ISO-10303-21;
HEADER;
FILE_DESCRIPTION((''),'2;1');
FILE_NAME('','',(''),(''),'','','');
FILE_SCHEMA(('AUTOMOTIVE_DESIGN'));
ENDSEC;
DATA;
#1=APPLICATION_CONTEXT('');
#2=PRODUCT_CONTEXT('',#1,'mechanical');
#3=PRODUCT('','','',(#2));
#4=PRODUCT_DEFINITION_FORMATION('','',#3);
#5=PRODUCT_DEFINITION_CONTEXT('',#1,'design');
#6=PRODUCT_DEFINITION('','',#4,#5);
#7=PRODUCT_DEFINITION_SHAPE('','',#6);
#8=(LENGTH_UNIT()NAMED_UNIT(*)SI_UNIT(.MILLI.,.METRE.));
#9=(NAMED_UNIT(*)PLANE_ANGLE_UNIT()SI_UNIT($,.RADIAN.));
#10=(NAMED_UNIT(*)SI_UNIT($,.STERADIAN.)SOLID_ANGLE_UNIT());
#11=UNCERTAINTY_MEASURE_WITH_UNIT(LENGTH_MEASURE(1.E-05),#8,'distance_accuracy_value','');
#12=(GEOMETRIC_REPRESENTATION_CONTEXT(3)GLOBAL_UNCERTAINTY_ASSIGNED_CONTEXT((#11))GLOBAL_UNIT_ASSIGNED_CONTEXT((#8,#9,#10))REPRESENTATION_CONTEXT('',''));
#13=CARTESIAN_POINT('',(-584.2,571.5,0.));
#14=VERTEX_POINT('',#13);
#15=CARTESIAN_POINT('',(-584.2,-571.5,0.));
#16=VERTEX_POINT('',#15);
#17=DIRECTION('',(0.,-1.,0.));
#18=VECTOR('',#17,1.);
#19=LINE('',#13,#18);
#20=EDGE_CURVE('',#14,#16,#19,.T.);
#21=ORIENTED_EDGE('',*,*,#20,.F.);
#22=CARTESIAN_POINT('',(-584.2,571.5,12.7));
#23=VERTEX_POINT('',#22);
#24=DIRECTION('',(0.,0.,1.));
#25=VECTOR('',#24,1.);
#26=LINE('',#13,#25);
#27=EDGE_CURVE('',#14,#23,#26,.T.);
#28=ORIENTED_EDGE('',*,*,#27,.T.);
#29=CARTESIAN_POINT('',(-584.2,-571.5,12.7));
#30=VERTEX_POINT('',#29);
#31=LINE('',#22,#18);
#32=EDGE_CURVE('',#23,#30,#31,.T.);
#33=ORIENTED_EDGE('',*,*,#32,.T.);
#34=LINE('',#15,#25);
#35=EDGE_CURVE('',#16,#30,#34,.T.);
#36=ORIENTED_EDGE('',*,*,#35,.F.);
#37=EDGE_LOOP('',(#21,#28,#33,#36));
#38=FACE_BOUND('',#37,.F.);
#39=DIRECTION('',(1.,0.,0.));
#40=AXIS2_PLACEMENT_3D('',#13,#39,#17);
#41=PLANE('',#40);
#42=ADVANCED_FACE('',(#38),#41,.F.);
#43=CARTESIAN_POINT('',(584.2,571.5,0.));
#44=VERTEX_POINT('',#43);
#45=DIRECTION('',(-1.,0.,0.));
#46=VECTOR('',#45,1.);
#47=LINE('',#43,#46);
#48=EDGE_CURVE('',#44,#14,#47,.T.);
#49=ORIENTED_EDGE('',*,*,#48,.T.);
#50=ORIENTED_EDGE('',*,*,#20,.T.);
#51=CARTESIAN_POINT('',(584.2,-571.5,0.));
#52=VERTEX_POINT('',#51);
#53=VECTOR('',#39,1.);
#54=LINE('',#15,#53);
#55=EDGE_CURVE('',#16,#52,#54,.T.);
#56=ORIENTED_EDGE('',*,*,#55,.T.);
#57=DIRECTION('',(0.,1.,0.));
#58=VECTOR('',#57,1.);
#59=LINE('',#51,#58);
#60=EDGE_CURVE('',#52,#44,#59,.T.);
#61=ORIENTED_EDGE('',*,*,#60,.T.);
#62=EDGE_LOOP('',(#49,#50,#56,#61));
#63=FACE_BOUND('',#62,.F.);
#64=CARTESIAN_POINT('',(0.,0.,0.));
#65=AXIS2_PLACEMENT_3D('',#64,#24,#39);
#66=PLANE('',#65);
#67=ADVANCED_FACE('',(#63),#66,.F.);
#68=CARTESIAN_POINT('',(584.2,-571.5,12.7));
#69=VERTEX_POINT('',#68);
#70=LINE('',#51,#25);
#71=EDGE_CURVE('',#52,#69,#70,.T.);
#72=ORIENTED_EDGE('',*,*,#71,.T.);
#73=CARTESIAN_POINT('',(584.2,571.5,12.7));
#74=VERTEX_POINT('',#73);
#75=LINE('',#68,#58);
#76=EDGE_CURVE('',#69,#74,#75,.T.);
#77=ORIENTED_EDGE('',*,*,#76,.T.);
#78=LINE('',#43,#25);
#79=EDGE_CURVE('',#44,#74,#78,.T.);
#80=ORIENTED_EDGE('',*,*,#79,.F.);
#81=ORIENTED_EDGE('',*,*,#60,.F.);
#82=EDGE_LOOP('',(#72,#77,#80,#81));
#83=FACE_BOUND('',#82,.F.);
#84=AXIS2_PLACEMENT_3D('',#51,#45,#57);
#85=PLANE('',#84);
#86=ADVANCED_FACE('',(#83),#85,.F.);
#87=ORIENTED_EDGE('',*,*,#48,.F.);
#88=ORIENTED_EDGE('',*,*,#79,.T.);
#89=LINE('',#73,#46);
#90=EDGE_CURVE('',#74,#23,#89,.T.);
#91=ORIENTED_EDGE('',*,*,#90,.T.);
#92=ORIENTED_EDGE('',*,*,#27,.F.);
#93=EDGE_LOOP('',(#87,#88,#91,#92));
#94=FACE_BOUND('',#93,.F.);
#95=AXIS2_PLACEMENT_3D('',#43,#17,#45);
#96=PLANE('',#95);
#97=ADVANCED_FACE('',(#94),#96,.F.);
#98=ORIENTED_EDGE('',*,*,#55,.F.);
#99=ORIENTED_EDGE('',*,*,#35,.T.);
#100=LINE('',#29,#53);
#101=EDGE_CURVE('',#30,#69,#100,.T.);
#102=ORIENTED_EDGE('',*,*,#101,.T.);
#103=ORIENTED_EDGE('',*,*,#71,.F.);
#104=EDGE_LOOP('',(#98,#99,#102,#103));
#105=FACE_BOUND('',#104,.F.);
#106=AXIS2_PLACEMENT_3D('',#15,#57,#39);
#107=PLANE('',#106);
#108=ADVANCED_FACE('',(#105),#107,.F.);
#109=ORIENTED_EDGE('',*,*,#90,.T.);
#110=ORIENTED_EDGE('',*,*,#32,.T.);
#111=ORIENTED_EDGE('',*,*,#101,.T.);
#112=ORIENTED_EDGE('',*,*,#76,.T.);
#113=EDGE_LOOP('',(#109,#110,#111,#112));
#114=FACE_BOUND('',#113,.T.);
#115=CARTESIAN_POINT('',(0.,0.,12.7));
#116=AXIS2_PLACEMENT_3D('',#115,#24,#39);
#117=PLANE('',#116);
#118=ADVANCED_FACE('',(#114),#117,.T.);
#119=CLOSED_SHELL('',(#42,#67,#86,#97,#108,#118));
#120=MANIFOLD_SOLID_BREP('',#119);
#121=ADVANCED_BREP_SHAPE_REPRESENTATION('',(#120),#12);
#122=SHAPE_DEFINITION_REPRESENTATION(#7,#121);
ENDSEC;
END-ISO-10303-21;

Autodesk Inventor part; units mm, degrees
ref_plane "YZ Plane" through (0, 0, 0) normal (1, 0, 0) x (0, 1, 0)
ref_plane "XZ Plane" through (0, 0, 0) normal (0, 1, 0) x (-1, 0, 0)
ref_plane "XY Plane" through (0, 0, 0) normal (0, 0, 1) x (1, 0, 0)
sketch "Sketch1" plane through (0, 0, 0) normal (0, 0, 1) x (1, 0, 0)
  line L0 (-584.2, -571.5) -> (584.2, -571.5)
  line L1 (584.2, -571.5) -> (584.2, 571.5)
  line L2 (584.2, 571.5) -> (-584.2, 571.5)
  line L3 (-584.2, 571.5) -> (-584.2, -571.5)
  line L4 (-584.2, -571.5) -> (584.2, 571.5) construction
  line L5 (584.2, -571.5) -> (-584.2, 571.5) construction
  point P0 (0, 0)
  dimension "d0" = 1168.4
  dimension "d1" = 1143
extrude "Extrusion1" add sketch "Sketch1" along normal blind 12.7
properties part number "back_0_1"
